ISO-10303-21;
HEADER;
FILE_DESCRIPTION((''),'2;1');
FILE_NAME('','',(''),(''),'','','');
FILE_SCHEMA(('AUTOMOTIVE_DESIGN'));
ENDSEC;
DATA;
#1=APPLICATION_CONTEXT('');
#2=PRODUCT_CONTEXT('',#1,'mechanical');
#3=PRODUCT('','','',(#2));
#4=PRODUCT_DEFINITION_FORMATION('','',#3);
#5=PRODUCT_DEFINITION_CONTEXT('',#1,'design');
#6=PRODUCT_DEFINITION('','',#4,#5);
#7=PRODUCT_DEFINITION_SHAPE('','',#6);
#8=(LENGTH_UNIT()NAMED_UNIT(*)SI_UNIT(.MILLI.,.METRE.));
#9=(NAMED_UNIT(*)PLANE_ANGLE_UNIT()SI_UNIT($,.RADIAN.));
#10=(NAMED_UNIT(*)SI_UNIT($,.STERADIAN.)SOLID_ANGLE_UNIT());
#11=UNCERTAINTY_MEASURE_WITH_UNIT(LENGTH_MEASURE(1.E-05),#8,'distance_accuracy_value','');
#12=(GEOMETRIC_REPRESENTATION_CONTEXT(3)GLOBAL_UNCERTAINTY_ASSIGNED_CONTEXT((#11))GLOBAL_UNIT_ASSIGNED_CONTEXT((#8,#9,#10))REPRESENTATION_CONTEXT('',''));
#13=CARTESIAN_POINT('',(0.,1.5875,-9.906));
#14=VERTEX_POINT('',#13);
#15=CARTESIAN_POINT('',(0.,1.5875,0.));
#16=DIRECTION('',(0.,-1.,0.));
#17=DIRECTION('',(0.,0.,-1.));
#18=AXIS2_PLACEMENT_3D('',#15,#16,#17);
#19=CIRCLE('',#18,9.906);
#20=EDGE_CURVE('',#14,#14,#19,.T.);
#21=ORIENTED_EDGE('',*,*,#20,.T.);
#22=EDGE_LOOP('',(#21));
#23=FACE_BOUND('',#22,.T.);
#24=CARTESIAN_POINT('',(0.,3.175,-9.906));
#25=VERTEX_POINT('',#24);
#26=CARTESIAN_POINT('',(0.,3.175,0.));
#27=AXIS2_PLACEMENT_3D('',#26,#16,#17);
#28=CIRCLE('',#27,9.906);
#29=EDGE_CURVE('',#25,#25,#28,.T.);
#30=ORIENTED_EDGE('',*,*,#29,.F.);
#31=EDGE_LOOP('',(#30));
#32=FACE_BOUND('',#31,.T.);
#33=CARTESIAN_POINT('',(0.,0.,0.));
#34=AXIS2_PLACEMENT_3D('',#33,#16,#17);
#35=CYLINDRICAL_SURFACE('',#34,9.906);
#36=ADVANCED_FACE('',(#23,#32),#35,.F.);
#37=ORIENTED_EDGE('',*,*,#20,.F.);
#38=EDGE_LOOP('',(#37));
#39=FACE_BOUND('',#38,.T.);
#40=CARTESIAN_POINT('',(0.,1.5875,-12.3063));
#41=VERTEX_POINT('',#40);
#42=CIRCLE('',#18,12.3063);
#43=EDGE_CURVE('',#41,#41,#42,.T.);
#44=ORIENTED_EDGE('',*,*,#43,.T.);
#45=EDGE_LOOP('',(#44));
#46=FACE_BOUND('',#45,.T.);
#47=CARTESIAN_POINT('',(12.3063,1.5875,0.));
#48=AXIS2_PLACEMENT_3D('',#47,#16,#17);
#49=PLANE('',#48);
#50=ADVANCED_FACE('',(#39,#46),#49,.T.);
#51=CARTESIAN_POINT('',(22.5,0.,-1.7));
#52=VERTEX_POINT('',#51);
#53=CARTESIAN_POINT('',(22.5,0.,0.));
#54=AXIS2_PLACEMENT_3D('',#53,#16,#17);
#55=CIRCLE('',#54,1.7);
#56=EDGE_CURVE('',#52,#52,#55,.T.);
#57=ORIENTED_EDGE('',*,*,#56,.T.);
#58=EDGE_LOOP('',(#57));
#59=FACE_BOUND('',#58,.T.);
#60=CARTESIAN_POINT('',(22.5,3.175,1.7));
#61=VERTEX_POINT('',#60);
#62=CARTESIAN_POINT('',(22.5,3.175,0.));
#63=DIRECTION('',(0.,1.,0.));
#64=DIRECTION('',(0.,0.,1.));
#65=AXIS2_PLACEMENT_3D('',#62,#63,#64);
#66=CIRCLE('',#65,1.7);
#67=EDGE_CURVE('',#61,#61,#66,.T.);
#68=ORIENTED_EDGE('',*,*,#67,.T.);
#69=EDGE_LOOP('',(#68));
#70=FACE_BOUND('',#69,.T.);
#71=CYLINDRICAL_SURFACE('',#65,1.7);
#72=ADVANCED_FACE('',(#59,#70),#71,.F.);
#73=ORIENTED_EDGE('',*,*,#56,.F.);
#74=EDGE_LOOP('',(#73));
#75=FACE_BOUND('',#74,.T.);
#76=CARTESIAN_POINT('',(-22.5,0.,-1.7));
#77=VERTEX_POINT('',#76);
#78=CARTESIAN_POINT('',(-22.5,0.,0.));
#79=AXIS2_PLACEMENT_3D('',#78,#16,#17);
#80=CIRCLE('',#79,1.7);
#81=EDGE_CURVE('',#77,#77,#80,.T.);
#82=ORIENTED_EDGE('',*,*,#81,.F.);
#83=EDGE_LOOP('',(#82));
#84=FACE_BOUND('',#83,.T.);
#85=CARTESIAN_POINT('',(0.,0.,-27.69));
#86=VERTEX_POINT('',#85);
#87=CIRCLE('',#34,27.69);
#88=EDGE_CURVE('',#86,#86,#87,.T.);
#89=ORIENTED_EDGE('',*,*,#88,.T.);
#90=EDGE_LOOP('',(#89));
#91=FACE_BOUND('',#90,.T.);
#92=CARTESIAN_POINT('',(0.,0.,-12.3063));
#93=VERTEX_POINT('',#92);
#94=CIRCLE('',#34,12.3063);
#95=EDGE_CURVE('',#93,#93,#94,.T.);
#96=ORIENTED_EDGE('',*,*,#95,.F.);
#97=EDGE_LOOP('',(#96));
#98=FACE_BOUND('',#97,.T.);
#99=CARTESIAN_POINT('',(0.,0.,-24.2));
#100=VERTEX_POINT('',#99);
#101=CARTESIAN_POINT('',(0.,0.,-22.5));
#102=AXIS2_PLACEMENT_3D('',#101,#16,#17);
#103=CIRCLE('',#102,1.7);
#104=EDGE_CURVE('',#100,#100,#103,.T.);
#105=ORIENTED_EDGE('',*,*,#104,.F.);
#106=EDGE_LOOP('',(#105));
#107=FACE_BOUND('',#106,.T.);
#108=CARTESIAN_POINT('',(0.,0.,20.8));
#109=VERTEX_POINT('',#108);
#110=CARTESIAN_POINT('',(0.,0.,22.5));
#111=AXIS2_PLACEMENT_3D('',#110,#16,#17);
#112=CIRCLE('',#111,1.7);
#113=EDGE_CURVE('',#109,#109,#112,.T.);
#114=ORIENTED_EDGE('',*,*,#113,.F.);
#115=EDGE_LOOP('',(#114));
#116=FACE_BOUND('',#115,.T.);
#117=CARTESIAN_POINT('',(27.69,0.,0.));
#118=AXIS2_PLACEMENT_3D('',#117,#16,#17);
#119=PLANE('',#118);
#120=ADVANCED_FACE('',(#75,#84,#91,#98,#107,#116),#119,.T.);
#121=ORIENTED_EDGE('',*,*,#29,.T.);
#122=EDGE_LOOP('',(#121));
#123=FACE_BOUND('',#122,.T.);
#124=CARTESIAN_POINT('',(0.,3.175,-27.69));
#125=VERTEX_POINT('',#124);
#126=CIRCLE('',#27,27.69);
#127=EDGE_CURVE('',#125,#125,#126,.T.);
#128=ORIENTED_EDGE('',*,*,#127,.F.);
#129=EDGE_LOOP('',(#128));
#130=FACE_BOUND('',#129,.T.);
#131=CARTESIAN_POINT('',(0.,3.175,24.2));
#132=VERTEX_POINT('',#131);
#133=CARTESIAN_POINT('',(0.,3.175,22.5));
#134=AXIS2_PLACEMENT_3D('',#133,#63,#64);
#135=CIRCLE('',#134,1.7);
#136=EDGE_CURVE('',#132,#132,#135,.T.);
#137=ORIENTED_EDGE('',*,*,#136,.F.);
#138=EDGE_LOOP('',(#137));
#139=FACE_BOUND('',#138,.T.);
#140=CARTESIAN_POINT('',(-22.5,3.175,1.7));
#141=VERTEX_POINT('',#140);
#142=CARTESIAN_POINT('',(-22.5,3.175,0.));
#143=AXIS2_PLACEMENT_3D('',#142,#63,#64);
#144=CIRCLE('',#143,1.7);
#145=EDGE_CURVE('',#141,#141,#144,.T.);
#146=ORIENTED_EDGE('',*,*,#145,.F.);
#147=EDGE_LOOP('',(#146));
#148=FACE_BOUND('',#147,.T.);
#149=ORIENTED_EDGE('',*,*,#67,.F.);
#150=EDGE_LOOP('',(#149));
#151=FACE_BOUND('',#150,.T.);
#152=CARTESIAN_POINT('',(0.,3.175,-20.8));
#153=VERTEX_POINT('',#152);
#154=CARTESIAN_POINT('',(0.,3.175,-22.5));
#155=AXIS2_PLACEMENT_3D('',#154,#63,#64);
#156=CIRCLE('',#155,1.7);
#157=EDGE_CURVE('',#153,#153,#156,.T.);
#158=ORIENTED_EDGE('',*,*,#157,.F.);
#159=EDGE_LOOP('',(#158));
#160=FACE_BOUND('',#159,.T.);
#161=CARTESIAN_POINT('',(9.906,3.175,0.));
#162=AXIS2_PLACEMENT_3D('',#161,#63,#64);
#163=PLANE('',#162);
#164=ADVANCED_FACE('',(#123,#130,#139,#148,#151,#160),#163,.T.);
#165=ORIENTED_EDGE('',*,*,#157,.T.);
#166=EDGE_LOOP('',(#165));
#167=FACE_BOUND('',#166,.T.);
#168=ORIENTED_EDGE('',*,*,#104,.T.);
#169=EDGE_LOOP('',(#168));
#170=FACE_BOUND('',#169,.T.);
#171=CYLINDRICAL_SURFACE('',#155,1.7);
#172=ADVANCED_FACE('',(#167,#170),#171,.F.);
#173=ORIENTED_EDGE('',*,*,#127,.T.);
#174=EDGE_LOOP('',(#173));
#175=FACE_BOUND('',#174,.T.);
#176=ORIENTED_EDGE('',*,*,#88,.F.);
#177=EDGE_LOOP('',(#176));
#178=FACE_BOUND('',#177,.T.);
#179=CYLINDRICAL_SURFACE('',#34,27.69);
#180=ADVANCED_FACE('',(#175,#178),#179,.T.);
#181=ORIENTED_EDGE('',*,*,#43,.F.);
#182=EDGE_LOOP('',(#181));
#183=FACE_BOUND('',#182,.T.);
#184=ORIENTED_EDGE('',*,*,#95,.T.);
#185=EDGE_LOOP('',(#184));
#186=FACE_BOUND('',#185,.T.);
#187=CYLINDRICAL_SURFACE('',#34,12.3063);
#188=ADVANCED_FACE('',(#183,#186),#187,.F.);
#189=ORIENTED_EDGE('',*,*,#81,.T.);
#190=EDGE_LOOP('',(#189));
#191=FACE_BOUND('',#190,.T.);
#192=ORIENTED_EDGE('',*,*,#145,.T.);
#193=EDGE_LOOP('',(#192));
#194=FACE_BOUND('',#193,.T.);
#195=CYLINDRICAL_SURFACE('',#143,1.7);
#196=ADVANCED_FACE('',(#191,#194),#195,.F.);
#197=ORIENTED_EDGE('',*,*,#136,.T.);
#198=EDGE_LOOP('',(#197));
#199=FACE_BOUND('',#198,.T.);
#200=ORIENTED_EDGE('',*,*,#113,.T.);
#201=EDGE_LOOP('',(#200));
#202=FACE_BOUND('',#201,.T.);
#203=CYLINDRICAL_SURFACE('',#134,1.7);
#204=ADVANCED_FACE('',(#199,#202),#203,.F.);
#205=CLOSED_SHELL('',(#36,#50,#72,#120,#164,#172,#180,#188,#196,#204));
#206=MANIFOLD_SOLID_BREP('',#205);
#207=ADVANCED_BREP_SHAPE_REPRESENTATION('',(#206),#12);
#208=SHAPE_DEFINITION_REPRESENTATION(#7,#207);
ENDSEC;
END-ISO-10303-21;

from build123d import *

# Parameters (mm, degrees)
M3_CLEARANCE_HOLE1_D = 3.4


with BuildPart() as part:
    # Sketch1 → Revolve1 (revolve)
    with BuildSketch(Plane.XY, mode=Mode.PRIVATE) as revolve1_sk:
        Polygon((12.3063, 0), (12.3063, 1.5875), (9.906, 1.5875), (9.906, 3.175), (27.69, 3.175), (27.69, 0), align=None)
    revolve(revolve1_sk.sketch.rotate(Axis((0, 0, 0), (0, 1, 0)), 90), axis=Axis((0, 0, 0), (0, 1, 0)))

    # M3 Clearance Hole1 (through all)
    with Locations(Plane(origin=(0, 3.175, 0), x_dir=(1, 0, 0), z_dir=(0, 1, 0))):
        with Locations((22.5, 0), (0, 22.5), (-22.5, 0), (0, -22.5)):
            Hole(M3_CLEARANCE_HOLE1_D / 2)


solid = part.part
